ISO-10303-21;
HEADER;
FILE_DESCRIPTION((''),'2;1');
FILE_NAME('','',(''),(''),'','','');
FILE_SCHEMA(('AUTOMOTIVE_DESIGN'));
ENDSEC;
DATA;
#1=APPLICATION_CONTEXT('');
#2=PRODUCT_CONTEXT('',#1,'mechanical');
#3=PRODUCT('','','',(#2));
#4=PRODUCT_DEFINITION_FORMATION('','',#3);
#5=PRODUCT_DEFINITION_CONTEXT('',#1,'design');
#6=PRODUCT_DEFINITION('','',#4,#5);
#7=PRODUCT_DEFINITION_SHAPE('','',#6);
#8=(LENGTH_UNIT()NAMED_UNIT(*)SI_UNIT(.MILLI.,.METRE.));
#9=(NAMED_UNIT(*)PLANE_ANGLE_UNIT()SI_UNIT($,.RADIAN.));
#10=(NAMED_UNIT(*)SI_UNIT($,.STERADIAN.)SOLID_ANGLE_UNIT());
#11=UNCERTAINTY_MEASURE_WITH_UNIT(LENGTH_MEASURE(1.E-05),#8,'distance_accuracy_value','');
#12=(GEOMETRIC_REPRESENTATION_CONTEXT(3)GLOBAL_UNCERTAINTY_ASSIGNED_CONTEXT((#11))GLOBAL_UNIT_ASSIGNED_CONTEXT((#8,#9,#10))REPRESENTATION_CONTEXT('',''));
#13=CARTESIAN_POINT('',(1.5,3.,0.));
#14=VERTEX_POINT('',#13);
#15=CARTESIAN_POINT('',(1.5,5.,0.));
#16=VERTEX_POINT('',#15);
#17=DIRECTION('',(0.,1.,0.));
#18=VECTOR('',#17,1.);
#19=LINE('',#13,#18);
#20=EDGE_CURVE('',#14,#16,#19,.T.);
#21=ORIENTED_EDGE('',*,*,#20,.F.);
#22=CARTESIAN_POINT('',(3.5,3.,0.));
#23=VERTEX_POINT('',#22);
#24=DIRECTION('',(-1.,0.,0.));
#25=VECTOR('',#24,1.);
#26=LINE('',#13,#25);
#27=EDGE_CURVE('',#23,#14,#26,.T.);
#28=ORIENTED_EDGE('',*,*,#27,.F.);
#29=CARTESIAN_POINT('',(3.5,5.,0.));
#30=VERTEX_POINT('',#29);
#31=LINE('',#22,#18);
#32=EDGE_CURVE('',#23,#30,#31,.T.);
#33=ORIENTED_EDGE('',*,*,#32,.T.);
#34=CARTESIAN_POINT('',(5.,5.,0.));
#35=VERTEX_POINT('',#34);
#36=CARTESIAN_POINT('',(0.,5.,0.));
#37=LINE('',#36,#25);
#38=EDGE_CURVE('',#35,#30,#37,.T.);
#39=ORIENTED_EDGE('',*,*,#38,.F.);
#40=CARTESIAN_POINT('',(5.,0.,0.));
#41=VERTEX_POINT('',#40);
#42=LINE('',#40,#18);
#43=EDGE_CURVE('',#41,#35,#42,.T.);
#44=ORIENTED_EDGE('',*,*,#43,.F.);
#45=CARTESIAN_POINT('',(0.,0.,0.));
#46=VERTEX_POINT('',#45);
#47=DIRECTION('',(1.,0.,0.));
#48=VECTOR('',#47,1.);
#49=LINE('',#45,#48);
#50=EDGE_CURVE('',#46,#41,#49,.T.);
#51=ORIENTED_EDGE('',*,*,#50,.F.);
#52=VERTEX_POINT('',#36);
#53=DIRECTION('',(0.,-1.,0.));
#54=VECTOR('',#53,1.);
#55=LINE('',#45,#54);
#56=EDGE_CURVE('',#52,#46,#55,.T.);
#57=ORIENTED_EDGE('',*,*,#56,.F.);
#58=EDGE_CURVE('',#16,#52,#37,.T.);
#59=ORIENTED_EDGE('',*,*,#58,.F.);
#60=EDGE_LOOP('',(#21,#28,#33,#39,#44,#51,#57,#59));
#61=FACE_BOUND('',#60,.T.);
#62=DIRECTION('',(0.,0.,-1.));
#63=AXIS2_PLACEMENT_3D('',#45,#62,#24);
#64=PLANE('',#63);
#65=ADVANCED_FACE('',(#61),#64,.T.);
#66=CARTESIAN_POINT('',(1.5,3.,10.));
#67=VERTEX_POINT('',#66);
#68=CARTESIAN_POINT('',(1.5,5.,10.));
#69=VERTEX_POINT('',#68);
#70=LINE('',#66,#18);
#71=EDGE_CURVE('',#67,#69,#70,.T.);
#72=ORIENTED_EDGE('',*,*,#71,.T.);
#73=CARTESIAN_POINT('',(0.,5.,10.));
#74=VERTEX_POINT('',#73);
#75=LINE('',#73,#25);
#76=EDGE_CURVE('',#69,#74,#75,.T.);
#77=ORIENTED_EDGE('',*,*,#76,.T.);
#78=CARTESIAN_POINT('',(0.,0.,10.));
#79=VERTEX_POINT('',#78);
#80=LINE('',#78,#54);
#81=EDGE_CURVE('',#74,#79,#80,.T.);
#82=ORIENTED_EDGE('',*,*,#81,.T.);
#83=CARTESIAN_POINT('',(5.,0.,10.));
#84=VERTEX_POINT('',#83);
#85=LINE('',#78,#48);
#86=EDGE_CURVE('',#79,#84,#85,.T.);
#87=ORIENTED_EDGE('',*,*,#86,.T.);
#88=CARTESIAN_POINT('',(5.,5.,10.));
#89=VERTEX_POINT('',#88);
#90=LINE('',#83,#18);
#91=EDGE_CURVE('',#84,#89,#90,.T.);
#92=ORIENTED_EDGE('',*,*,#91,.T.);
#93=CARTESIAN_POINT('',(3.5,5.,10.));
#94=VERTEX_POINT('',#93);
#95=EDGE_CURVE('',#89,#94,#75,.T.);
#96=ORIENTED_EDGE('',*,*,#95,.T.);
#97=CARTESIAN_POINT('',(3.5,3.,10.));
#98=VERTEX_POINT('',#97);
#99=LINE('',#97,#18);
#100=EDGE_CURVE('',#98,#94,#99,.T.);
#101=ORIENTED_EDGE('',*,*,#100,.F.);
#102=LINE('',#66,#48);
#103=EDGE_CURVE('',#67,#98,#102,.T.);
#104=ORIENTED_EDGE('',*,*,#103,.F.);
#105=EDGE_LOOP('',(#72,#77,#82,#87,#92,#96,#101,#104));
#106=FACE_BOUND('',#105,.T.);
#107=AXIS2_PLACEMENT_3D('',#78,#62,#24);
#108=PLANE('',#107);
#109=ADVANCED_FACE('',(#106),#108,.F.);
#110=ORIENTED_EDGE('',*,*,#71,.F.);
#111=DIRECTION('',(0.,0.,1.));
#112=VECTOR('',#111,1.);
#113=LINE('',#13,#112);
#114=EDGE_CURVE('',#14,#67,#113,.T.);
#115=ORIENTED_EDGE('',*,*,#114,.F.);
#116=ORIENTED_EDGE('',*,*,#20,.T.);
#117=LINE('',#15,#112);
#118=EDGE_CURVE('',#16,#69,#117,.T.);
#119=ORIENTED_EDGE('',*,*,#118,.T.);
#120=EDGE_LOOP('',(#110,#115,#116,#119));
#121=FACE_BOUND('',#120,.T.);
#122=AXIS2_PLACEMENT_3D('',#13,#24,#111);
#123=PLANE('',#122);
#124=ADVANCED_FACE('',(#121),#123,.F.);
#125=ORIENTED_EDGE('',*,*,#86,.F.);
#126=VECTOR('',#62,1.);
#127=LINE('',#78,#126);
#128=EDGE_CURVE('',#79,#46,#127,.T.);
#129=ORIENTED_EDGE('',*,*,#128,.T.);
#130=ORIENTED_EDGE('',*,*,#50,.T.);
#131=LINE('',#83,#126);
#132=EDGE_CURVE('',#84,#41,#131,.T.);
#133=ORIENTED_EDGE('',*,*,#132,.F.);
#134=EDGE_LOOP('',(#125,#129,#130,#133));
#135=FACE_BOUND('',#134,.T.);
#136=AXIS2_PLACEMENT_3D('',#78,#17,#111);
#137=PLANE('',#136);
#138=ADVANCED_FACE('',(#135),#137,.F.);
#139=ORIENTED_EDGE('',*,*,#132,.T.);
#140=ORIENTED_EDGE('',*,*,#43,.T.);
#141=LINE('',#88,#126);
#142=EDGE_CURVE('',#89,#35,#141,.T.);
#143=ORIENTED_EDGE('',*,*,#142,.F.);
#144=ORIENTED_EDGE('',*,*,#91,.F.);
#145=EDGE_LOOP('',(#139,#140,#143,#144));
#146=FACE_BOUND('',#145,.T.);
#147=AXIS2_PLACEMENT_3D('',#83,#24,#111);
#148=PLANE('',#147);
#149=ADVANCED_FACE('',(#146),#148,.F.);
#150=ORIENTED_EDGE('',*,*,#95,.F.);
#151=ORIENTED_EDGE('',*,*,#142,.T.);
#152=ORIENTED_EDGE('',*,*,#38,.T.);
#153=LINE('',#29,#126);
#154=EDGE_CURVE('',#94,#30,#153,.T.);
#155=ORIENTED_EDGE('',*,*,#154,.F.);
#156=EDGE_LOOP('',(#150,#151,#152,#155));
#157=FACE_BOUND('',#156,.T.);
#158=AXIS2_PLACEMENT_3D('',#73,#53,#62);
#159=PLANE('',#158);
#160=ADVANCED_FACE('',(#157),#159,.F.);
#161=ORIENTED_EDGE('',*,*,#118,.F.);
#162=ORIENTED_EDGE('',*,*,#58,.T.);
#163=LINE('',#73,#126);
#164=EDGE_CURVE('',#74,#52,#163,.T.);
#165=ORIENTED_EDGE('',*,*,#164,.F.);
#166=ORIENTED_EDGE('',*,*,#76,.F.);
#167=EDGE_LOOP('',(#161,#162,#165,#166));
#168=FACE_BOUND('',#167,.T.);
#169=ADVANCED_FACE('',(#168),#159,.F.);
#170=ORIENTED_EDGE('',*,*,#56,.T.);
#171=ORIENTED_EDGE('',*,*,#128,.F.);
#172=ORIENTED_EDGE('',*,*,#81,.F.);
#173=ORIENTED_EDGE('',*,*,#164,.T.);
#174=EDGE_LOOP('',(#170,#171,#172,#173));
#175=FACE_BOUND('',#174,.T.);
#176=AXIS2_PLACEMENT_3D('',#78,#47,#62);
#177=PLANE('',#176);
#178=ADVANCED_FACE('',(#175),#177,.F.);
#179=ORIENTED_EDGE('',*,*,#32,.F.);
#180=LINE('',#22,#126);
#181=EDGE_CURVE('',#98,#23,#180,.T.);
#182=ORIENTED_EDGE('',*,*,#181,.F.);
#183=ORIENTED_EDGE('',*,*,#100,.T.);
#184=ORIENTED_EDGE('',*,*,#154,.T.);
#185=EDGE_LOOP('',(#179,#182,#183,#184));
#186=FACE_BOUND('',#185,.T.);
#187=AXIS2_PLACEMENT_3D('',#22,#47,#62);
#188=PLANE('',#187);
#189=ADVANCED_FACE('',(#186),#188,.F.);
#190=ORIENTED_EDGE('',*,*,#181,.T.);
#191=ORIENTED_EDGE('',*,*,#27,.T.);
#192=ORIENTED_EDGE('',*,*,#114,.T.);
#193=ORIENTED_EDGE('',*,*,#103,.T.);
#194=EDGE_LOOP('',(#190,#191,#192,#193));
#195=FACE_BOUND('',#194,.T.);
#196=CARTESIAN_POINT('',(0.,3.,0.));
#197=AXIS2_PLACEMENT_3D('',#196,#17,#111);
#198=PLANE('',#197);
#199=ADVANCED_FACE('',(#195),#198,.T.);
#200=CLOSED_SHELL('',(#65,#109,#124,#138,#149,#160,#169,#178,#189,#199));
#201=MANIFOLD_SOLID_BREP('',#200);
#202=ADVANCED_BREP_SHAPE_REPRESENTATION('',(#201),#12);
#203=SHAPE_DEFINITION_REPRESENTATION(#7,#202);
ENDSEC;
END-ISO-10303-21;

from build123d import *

# Parameters (mm, degrees)
SKETCH1_W           = 5
SKETCH1_H           = 5
BOSS_EXTRUDE1_DEPTH = 10
SKETCH2_W           = 2
SKETCH2_H           = 10
CUT_EXTRUDE1_DEPTH  = 2


with BuildPart() as part:
    # Sketch1 → Boss-Extrude1 (new body)
    with BuildSketch(Plane.XY):
        with Locations((2.5, 2.5)):
            Rectangle(SKETCH1_W, SKETCH1_H)
    extrude(amount=BOSS_EXTRUDE1_DEPTH)

    # Sketch2 → Cut-Extrude1 (cut)
    with BuildSketch(Plane(origin=(0, 5, 0), x_dir=(1, 0, 0), z_dir=(0, 1, 0))):
        with Locations((2.5, -5)):
            Rectangle(SKETCH2_W, SKETCH2_H)
    extrude(amount=-CUT_EXTRUDE1_DEPTH, mode=Mode.SUBTRACT)


solid = part.part
